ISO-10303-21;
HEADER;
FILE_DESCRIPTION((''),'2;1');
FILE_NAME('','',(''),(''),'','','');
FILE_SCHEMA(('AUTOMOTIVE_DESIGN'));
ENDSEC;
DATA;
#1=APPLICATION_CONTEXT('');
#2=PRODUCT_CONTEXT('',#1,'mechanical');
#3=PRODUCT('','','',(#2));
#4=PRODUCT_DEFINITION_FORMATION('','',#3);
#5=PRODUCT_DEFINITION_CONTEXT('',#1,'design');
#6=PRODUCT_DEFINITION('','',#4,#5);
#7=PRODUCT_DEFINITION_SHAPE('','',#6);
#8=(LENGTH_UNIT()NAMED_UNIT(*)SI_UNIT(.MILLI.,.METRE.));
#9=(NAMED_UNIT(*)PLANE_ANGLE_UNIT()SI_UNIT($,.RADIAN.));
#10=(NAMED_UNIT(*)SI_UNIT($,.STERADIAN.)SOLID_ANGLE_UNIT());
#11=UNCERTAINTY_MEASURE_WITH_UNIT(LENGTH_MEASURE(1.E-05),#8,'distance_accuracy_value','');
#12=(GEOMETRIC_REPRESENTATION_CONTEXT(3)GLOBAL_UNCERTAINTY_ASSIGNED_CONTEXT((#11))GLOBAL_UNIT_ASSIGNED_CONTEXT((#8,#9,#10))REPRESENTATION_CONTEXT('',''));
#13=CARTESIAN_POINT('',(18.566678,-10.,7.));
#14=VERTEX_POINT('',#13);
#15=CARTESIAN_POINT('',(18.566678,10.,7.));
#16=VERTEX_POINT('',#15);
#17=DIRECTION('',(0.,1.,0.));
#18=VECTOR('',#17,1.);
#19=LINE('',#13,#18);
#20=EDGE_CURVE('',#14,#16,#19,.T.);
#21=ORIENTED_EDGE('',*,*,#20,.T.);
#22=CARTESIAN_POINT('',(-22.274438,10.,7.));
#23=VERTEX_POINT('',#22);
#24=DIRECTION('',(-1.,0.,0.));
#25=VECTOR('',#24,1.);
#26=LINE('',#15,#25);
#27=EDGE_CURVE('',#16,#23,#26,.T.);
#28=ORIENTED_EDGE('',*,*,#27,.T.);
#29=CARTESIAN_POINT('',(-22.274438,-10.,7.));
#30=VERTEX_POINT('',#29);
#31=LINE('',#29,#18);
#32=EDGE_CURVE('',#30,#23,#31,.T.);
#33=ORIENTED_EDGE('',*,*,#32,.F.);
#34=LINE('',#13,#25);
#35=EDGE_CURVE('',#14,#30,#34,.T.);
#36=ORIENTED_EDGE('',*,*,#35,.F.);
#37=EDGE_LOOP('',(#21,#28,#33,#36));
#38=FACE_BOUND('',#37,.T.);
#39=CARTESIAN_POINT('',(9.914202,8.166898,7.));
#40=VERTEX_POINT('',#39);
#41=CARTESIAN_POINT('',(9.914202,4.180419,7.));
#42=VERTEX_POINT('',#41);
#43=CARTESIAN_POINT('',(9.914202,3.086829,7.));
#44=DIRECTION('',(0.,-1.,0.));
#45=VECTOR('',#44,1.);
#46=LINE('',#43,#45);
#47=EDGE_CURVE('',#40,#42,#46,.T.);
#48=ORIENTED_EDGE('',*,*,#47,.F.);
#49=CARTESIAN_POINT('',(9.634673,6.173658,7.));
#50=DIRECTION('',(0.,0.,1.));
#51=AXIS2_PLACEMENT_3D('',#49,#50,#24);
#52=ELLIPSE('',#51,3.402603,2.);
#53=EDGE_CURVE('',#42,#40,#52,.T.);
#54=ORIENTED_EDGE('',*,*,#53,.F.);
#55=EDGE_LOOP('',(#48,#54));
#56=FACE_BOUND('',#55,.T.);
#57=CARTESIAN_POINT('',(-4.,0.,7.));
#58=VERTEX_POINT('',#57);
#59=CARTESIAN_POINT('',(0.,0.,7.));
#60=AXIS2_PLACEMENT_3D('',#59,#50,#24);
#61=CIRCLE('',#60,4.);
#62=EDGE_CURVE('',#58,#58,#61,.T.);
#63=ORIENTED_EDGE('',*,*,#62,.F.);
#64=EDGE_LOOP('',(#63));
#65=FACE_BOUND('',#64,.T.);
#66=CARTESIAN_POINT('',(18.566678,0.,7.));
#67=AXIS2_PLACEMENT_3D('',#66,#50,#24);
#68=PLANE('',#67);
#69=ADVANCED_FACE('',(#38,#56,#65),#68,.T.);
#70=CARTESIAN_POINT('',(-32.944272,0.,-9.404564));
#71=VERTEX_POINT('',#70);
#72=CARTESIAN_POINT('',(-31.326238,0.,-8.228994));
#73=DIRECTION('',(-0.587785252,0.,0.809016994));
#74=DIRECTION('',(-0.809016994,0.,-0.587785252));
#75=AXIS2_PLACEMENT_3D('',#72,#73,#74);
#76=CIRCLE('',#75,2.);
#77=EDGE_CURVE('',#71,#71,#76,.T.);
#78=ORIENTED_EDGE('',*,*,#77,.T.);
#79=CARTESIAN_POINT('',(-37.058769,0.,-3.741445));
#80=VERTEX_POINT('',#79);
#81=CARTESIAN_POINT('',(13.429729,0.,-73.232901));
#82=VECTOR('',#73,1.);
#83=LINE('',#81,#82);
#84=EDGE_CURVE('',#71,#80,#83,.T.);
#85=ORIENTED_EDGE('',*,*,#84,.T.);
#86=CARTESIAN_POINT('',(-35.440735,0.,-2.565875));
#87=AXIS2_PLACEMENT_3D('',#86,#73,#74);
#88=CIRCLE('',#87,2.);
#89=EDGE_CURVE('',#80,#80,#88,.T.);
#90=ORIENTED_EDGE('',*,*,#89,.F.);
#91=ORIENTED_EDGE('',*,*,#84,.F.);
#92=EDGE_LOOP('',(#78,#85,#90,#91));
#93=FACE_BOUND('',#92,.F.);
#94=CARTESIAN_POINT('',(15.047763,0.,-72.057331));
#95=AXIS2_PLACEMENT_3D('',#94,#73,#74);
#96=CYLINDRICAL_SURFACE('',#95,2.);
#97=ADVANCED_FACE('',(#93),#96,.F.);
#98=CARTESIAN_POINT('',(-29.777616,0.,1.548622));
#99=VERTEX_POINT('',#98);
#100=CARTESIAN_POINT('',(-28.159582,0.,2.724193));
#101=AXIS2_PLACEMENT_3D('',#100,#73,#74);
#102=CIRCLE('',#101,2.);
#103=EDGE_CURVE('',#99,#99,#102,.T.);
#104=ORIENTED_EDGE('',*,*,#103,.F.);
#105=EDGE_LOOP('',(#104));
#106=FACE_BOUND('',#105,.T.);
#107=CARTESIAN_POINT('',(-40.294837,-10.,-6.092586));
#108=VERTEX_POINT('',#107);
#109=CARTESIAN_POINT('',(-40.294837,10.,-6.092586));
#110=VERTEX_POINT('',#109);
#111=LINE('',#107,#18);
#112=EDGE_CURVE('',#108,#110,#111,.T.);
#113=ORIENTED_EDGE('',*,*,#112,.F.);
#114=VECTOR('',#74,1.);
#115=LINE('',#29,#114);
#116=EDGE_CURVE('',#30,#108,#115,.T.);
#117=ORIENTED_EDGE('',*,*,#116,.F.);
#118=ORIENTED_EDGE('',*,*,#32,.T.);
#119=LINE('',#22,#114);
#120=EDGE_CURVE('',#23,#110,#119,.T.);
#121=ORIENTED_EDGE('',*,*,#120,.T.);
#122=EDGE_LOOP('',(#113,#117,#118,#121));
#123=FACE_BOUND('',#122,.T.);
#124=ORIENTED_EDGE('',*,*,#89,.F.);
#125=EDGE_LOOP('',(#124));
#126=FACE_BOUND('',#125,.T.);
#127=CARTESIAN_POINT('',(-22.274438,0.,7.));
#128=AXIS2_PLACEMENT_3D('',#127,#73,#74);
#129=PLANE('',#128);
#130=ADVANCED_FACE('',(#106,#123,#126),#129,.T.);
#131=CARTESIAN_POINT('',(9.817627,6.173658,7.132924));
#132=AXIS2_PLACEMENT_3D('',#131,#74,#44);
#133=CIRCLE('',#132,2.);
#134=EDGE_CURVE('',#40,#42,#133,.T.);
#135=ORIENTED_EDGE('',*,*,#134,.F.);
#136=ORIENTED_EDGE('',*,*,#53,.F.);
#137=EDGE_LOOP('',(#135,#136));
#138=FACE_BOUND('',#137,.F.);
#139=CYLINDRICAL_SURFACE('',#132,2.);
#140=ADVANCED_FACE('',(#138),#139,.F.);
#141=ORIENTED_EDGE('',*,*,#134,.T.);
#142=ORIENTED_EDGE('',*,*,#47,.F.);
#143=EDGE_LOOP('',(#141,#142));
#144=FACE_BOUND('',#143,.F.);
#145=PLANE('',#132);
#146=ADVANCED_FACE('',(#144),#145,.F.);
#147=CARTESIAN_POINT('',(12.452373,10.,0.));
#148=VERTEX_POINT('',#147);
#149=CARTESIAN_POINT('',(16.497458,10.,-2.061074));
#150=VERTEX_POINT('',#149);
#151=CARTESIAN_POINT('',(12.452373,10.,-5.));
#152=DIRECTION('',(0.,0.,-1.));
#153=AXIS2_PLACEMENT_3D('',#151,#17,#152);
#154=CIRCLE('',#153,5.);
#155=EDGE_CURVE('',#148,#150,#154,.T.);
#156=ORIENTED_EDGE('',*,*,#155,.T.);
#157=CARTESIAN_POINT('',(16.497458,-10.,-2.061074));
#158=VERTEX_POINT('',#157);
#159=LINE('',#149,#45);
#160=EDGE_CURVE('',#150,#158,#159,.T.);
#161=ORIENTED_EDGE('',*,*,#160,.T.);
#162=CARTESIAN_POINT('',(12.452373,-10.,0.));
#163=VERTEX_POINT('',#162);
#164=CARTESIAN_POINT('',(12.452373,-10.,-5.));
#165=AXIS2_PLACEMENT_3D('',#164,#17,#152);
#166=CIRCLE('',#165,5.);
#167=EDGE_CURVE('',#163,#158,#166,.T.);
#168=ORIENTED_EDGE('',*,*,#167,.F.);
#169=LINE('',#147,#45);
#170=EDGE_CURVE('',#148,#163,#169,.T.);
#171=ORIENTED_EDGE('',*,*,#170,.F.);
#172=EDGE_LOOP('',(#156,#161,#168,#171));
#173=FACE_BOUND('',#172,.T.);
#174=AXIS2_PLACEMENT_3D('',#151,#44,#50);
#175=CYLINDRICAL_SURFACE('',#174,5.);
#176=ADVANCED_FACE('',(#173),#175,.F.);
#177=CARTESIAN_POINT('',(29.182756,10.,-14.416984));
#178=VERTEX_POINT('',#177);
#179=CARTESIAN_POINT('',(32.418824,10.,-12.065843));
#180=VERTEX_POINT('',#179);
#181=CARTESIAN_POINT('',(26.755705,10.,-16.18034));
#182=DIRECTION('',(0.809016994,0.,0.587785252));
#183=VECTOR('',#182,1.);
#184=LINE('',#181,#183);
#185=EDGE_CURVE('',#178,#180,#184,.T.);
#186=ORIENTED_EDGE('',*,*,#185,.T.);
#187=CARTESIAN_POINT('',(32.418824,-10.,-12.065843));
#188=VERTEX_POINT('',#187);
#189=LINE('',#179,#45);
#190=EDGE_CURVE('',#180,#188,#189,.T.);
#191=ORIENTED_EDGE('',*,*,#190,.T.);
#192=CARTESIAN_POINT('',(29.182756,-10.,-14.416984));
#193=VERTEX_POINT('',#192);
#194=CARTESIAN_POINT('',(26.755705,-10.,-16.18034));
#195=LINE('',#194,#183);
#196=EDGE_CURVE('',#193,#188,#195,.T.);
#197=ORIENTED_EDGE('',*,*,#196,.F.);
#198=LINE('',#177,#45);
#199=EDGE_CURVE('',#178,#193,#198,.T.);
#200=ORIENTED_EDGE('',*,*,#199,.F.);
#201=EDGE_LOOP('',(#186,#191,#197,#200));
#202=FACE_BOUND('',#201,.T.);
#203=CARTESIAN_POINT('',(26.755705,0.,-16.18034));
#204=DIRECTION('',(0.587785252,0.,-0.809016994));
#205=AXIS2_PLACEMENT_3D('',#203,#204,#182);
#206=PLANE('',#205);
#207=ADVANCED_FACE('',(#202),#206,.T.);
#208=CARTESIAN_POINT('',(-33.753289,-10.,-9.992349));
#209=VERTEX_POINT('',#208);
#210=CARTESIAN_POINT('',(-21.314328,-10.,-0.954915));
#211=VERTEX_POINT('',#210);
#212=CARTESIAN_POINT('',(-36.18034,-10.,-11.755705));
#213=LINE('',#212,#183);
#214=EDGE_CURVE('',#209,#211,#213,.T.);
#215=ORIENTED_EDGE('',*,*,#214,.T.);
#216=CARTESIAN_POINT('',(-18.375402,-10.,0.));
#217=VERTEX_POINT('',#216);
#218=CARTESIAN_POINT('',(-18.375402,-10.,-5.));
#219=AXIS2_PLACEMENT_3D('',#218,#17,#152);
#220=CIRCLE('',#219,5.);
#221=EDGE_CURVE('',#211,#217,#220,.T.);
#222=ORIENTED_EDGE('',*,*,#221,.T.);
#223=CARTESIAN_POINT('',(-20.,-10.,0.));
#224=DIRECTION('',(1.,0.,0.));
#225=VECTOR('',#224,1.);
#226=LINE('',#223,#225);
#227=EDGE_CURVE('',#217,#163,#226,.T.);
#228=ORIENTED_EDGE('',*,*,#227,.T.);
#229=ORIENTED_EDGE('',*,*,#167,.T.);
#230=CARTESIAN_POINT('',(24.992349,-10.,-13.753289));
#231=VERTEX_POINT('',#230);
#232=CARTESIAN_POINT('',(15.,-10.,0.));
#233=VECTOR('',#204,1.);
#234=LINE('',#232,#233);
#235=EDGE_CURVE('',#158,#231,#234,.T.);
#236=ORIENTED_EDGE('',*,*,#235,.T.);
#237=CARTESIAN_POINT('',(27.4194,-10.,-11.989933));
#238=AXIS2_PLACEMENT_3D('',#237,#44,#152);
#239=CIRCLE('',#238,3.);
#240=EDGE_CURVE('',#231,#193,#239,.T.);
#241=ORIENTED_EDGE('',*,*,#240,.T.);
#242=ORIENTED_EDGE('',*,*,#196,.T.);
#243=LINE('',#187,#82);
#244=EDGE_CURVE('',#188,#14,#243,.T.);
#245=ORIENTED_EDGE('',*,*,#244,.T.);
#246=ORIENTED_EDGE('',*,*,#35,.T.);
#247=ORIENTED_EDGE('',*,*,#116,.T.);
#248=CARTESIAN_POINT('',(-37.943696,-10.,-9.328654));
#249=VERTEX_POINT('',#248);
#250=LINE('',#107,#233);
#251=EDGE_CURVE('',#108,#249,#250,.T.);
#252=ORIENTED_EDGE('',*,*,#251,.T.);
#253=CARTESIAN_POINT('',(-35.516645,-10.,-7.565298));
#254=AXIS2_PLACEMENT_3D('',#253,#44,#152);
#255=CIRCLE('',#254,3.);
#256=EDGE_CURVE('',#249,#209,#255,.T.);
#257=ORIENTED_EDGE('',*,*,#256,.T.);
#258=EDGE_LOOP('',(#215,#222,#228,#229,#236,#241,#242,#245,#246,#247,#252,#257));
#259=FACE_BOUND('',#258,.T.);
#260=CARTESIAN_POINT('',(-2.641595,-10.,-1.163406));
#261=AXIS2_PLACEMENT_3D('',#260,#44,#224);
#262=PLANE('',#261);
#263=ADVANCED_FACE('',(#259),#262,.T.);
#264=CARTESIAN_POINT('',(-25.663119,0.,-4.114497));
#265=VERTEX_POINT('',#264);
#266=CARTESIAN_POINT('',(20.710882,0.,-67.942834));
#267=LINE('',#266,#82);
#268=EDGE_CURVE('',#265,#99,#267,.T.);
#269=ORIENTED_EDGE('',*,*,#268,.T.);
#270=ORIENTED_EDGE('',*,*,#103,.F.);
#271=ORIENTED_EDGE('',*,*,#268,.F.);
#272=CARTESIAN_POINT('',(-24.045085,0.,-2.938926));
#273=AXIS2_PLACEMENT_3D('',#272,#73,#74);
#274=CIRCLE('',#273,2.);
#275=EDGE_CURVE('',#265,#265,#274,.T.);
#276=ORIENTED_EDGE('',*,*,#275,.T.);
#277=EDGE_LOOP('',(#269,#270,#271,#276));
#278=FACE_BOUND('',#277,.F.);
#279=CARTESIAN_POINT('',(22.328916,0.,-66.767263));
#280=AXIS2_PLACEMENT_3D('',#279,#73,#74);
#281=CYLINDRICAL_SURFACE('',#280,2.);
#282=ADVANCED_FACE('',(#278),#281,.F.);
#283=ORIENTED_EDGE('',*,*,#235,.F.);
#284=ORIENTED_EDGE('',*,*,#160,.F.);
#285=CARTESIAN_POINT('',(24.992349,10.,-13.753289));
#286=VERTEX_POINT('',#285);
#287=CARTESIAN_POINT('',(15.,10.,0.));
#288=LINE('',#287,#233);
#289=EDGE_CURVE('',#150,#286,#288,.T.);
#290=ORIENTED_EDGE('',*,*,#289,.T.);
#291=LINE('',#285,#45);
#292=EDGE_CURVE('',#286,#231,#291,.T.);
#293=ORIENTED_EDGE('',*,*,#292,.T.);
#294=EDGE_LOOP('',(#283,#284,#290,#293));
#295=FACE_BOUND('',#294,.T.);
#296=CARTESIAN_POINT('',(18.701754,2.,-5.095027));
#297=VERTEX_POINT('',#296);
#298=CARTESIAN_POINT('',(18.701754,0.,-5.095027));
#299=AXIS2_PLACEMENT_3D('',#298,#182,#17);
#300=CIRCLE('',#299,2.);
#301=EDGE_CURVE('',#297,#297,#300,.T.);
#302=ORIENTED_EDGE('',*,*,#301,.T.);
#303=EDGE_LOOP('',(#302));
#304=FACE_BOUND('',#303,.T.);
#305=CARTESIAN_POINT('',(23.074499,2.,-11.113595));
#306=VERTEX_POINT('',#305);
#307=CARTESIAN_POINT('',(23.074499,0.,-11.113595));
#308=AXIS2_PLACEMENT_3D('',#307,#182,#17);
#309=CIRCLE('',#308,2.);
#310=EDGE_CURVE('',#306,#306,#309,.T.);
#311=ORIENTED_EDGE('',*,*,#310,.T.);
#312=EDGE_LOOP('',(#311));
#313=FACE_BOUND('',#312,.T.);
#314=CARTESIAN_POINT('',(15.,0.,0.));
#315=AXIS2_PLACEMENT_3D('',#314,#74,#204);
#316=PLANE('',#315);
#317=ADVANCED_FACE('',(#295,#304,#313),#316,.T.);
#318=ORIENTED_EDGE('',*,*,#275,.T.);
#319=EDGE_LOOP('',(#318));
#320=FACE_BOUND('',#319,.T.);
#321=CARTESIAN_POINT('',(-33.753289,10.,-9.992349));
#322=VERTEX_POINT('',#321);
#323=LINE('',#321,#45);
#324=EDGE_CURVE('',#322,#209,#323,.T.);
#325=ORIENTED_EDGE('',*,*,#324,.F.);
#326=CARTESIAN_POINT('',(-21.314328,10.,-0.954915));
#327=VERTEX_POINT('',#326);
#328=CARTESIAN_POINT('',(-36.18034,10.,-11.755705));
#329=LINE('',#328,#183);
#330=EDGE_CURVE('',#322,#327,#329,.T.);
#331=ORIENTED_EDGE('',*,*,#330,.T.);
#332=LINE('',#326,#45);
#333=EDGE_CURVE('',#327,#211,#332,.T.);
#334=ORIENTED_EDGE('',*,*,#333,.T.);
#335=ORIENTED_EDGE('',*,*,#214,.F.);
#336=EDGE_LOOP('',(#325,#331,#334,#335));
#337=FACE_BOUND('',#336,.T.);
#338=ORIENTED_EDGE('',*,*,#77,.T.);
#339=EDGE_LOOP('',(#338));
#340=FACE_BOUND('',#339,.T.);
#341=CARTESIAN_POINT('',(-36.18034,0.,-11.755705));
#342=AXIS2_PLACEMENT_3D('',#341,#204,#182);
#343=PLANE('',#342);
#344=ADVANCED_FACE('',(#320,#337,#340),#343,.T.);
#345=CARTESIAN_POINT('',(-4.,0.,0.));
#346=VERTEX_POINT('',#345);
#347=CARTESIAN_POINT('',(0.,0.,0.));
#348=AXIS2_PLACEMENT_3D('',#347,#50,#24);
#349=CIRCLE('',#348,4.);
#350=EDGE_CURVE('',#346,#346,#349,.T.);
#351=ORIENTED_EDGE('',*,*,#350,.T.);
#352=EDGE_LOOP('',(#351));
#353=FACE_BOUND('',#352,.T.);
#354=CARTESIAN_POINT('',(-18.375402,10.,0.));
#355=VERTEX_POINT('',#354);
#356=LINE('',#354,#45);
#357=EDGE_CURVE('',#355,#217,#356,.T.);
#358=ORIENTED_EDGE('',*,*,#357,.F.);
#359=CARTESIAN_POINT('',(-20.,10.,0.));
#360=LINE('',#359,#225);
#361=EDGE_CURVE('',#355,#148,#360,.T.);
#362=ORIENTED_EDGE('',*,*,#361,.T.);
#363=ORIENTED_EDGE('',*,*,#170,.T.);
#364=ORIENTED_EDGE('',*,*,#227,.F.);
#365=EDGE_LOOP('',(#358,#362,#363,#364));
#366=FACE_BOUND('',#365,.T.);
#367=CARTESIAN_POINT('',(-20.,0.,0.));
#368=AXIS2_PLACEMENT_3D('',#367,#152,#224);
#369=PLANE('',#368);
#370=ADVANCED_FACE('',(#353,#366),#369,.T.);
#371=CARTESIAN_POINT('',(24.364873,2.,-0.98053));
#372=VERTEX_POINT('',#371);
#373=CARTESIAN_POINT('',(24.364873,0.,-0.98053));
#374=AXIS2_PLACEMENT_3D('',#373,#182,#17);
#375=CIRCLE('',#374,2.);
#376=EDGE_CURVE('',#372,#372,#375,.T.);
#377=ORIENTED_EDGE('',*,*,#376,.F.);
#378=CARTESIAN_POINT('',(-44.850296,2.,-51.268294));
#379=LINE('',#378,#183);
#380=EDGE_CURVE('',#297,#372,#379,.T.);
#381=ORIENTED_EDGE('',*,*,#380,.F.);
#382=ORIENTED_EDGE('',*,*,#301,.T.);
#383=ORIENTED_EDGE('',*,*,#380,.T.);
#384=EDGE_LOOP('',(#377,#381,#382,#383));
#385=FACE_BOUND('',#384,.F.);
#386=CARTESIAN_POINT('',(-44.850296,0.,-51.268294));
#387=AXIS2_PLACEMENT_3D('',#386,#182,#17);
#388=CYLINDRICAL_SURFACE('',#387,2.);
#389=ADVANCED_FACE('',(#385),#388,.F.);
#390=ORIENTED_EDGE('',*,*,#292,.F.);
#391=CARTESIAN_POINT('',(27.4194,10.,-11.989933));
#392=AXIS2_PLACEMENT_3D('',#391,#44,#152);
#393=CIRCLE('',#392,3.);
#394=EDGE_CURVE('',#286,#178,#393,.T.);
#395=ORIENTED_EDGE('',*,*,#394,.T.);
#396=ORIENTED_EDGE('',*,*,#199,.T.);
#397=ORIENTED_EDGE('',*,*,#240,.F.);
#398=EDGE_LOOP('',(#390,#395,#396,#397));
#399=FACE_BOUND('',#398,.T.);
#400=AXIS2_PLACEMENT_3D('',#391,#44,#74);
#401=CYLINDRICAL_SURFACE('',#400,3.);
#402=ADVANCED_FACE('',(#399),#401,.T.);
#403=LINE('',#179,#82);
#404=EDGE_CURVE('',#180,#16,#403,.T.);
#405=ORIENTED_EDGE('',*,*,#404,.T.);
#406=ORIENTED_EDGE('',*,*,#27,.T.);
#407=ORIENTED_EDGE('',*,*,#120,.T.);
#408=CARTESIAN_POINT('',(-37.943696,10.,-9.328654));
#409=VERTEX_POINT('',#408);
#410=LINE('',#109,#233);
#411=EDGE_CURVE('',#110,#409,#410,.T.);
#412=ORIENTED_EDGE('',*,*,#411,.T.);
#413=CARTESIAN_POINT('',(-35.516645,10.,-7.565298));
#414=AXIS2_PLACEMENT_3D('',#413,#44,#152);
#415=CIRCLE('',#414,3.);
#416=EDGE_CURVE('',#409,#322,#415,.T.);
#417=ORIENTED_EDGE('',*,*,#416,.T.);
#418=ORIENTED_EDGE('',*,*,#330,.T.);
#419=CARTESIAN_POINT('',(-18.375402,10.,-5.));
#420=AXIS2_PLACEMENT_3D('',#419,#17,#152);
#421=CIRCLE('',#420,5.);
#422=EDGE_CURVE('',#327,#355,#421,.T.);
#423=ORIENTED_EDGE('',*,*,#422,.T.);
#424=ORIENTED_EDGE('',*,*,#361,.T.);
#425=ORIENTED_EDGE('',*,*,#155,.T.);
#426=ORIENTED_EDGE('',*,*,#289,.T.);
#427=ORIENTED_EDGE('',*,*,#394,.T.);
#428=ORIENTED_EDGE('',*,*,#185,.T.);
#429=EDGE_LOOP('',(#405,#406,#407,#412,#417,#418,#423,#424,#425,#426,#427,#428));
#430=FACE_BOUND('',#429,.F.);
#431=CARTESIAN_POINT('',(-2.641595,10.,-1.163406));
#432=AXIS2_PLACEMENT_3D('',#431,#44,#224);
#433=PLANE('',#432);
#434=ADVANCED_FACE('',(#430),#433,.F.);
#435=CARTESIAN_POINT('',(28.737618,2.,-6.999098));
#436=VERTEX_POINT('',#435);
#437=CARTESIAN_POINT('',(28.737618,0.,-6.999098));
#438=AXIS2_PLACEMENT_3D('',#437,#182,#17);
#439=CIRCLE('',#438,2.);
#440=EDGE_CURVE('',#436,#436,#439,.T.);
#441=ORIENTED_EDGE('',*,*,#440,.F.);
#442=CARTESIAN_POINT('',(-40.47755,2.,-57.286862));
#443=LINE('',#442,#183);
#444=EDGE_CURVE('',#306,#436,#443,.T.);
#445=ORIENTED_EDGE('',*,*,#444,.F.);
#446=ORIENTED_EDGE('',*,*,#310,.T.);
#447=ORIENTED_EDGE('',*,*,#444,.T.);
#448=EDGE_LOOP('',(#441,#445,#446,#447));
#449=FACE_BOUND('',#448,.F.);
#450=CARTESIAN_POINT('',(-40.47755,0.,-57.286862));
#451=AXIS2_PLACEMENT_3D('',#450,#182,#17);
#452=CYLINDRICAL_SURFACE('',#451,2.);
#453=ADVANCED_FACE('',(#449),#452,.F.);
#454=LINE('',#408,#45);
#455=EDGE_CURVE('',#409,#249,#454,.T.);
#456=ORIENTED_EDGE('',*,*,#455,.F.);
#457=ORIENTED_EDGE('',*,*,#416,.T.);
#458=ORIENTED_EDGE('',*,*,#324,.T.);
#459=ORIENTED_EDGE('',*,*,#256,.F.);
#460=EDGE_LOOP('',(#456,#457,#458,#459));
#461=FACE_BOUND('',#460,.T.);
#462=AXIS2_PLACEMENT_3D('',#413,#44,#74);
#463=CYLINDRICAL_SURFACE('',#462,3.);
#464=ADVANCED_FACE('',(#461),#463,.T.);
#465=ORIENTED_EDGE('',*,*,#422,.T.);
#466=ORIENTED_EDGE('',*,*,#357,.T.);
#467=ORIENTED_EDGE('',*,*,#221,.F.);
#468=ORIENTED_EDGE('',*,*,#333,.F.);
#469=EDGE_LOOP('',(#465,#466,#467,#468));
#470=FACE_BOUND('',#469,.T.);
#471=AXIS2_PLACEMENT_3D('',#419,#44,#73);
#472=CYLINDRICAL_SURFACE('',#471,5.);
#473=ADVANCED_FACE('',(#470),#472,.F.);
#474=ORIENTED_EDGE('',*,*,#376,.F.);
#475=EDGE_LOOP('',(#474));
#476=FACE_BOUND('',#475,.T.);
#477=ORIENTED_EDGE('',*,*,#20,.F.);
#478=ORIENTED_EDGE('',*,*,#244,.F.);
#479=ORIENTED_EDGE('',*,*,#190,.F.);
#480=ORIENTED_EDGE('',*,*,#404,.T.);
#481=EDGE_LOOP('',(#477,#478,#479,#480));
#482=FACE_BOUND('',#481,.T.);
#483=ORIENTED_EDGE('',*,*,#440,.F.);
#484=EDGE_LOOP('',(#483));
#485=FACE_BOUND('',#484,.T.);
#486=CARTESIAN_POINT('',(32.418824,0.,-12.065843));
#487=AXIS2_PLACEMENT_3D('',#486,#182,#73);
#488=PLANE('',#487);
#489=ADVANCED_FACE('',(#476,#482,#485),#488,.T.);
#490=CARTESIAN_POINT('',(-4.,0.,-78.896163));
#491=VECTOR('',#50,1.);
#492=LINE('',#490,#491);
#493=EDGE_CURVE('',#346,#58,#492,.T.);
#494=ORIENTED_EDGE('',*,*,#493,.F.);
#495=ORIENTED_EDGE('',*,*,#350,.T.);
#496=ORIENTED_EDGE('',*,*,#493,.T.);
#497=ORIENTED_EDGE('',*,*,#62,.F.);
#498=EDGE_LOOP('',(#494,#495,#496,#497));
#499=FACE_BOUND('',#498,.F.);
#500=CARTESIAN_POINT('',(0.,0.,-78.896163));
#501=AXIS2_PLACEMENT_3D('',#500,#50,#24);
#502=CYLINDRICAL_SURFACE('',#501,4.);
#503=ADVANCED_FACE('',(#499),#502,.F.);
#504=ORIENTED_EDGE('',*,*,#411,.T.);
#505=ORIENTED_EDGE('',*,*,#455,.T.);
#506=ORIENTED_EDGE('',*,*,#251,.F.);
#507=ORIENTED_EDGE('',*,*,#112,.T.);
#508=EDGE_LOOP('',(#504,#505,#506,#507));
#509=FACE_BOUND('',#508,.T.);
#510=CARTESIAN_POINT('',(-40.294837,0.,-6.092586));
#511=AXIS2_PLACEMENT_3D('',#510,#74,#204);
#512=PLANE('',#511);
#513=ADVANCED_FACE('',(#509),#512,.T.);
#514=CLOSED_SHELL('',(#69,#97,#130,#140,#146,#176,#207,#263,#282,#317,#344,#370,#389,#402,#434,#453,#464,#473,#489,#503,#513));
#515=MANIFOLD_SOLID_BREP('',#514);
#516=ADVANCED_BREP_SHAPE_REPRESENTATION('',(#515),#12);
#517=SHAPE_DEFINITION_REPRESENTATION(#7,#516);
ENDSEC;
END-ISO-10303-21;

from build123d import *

# Parameters (mm, degrees)
F1_DEPTH      = 10
F1_DEPTH_BACK = 10
F3_D          = 4
F5_D          = 4
F5_DEPTH      = 18.2076214093
F7_D          = 8
F8_R          = 3
F9_R          = 5
F11_D         = 4


with BuildPart() as f1:
    # F0 (on Front) → F1 (new body, two sides)
    with BuildSketch(Plane.XZ) as f1_sk:
        Polygon((-40.2948366535, -6.0925860852), (-36.1803398875, -11.7557050458), (-20, 0), (15, 0), (26.7557050458, -16.1803398875), (32.4188240065, -12.0658431215), (18.5666781465, 7), (-22.2744378736, 7), align=None)
    extrude(amount=F1_DEPTH)
    extrude(f1_sk.sketch, amount=-F1_DEPTH_BACK)

    # F3 (through all)
    with Locations(Plane(origin=(-6.9098300563, 0, 9.510565163), x_dir=(0.8090169944, 0, 0.5877852523), z_dir=(0.5877852523, 0, -0.8090169944))):
        with Locations((0, -37.8532769899), (0, -24.0082326065), (-30.1803398875, 0), (-21.1803398875, 0)):
            Hole(F3_D / 2)

    # F5 (through all, one way)
    with BuildSketch(Plane(origin=(9.8176274578, 0, 7.1329238722), x_dir=(0, -1, 0), z_dir=(-0.8090169944, 0, -0.5877852523))):
        with Locations((16.0583042515, 0), (-6.1736582538, 0)):
            Circle(F5_D / 2)
    extrude(amount=-F5_DEPTH, mode=Mode.SUBTRACT)

    # F7 (through all)
    with Locations(Plane(origin=(0, 0, 0), x_dir=(1, 0, 0), z_dir=(0, 0, -1))):
        with Locations((0, 0)):
            Hole(F7_D / 2)

    # F8
    f8_edges = [f1.edges().sort_by_distance(p)[0] for p in [
        (-36.18034, 0, -11.755705),
        (26.755705, 0, -16.18034),
    ]]
    fillet(f8_edges, radius=F8_R)

    # F9
    f9_edges = [f1.edges().sort_by_distance(p)[0] for p in [
        (-20, 0, 0),
        (15, 0, 0),
    ]]
    fillet(f9_edges, radius=F9_R)

    # F11 (through all)
    with Locations(Plane(origin=(9.8176274578, 0, 7.1329238722), x_dir=(0, -1, 0), z_dir=(-0.8090169944, 0, -0.5877852523))):
        with Locations((0, -15.1145784184), (0, -22.5539375097)):
            Hole(F11_D / 2)


solid = f1.part
